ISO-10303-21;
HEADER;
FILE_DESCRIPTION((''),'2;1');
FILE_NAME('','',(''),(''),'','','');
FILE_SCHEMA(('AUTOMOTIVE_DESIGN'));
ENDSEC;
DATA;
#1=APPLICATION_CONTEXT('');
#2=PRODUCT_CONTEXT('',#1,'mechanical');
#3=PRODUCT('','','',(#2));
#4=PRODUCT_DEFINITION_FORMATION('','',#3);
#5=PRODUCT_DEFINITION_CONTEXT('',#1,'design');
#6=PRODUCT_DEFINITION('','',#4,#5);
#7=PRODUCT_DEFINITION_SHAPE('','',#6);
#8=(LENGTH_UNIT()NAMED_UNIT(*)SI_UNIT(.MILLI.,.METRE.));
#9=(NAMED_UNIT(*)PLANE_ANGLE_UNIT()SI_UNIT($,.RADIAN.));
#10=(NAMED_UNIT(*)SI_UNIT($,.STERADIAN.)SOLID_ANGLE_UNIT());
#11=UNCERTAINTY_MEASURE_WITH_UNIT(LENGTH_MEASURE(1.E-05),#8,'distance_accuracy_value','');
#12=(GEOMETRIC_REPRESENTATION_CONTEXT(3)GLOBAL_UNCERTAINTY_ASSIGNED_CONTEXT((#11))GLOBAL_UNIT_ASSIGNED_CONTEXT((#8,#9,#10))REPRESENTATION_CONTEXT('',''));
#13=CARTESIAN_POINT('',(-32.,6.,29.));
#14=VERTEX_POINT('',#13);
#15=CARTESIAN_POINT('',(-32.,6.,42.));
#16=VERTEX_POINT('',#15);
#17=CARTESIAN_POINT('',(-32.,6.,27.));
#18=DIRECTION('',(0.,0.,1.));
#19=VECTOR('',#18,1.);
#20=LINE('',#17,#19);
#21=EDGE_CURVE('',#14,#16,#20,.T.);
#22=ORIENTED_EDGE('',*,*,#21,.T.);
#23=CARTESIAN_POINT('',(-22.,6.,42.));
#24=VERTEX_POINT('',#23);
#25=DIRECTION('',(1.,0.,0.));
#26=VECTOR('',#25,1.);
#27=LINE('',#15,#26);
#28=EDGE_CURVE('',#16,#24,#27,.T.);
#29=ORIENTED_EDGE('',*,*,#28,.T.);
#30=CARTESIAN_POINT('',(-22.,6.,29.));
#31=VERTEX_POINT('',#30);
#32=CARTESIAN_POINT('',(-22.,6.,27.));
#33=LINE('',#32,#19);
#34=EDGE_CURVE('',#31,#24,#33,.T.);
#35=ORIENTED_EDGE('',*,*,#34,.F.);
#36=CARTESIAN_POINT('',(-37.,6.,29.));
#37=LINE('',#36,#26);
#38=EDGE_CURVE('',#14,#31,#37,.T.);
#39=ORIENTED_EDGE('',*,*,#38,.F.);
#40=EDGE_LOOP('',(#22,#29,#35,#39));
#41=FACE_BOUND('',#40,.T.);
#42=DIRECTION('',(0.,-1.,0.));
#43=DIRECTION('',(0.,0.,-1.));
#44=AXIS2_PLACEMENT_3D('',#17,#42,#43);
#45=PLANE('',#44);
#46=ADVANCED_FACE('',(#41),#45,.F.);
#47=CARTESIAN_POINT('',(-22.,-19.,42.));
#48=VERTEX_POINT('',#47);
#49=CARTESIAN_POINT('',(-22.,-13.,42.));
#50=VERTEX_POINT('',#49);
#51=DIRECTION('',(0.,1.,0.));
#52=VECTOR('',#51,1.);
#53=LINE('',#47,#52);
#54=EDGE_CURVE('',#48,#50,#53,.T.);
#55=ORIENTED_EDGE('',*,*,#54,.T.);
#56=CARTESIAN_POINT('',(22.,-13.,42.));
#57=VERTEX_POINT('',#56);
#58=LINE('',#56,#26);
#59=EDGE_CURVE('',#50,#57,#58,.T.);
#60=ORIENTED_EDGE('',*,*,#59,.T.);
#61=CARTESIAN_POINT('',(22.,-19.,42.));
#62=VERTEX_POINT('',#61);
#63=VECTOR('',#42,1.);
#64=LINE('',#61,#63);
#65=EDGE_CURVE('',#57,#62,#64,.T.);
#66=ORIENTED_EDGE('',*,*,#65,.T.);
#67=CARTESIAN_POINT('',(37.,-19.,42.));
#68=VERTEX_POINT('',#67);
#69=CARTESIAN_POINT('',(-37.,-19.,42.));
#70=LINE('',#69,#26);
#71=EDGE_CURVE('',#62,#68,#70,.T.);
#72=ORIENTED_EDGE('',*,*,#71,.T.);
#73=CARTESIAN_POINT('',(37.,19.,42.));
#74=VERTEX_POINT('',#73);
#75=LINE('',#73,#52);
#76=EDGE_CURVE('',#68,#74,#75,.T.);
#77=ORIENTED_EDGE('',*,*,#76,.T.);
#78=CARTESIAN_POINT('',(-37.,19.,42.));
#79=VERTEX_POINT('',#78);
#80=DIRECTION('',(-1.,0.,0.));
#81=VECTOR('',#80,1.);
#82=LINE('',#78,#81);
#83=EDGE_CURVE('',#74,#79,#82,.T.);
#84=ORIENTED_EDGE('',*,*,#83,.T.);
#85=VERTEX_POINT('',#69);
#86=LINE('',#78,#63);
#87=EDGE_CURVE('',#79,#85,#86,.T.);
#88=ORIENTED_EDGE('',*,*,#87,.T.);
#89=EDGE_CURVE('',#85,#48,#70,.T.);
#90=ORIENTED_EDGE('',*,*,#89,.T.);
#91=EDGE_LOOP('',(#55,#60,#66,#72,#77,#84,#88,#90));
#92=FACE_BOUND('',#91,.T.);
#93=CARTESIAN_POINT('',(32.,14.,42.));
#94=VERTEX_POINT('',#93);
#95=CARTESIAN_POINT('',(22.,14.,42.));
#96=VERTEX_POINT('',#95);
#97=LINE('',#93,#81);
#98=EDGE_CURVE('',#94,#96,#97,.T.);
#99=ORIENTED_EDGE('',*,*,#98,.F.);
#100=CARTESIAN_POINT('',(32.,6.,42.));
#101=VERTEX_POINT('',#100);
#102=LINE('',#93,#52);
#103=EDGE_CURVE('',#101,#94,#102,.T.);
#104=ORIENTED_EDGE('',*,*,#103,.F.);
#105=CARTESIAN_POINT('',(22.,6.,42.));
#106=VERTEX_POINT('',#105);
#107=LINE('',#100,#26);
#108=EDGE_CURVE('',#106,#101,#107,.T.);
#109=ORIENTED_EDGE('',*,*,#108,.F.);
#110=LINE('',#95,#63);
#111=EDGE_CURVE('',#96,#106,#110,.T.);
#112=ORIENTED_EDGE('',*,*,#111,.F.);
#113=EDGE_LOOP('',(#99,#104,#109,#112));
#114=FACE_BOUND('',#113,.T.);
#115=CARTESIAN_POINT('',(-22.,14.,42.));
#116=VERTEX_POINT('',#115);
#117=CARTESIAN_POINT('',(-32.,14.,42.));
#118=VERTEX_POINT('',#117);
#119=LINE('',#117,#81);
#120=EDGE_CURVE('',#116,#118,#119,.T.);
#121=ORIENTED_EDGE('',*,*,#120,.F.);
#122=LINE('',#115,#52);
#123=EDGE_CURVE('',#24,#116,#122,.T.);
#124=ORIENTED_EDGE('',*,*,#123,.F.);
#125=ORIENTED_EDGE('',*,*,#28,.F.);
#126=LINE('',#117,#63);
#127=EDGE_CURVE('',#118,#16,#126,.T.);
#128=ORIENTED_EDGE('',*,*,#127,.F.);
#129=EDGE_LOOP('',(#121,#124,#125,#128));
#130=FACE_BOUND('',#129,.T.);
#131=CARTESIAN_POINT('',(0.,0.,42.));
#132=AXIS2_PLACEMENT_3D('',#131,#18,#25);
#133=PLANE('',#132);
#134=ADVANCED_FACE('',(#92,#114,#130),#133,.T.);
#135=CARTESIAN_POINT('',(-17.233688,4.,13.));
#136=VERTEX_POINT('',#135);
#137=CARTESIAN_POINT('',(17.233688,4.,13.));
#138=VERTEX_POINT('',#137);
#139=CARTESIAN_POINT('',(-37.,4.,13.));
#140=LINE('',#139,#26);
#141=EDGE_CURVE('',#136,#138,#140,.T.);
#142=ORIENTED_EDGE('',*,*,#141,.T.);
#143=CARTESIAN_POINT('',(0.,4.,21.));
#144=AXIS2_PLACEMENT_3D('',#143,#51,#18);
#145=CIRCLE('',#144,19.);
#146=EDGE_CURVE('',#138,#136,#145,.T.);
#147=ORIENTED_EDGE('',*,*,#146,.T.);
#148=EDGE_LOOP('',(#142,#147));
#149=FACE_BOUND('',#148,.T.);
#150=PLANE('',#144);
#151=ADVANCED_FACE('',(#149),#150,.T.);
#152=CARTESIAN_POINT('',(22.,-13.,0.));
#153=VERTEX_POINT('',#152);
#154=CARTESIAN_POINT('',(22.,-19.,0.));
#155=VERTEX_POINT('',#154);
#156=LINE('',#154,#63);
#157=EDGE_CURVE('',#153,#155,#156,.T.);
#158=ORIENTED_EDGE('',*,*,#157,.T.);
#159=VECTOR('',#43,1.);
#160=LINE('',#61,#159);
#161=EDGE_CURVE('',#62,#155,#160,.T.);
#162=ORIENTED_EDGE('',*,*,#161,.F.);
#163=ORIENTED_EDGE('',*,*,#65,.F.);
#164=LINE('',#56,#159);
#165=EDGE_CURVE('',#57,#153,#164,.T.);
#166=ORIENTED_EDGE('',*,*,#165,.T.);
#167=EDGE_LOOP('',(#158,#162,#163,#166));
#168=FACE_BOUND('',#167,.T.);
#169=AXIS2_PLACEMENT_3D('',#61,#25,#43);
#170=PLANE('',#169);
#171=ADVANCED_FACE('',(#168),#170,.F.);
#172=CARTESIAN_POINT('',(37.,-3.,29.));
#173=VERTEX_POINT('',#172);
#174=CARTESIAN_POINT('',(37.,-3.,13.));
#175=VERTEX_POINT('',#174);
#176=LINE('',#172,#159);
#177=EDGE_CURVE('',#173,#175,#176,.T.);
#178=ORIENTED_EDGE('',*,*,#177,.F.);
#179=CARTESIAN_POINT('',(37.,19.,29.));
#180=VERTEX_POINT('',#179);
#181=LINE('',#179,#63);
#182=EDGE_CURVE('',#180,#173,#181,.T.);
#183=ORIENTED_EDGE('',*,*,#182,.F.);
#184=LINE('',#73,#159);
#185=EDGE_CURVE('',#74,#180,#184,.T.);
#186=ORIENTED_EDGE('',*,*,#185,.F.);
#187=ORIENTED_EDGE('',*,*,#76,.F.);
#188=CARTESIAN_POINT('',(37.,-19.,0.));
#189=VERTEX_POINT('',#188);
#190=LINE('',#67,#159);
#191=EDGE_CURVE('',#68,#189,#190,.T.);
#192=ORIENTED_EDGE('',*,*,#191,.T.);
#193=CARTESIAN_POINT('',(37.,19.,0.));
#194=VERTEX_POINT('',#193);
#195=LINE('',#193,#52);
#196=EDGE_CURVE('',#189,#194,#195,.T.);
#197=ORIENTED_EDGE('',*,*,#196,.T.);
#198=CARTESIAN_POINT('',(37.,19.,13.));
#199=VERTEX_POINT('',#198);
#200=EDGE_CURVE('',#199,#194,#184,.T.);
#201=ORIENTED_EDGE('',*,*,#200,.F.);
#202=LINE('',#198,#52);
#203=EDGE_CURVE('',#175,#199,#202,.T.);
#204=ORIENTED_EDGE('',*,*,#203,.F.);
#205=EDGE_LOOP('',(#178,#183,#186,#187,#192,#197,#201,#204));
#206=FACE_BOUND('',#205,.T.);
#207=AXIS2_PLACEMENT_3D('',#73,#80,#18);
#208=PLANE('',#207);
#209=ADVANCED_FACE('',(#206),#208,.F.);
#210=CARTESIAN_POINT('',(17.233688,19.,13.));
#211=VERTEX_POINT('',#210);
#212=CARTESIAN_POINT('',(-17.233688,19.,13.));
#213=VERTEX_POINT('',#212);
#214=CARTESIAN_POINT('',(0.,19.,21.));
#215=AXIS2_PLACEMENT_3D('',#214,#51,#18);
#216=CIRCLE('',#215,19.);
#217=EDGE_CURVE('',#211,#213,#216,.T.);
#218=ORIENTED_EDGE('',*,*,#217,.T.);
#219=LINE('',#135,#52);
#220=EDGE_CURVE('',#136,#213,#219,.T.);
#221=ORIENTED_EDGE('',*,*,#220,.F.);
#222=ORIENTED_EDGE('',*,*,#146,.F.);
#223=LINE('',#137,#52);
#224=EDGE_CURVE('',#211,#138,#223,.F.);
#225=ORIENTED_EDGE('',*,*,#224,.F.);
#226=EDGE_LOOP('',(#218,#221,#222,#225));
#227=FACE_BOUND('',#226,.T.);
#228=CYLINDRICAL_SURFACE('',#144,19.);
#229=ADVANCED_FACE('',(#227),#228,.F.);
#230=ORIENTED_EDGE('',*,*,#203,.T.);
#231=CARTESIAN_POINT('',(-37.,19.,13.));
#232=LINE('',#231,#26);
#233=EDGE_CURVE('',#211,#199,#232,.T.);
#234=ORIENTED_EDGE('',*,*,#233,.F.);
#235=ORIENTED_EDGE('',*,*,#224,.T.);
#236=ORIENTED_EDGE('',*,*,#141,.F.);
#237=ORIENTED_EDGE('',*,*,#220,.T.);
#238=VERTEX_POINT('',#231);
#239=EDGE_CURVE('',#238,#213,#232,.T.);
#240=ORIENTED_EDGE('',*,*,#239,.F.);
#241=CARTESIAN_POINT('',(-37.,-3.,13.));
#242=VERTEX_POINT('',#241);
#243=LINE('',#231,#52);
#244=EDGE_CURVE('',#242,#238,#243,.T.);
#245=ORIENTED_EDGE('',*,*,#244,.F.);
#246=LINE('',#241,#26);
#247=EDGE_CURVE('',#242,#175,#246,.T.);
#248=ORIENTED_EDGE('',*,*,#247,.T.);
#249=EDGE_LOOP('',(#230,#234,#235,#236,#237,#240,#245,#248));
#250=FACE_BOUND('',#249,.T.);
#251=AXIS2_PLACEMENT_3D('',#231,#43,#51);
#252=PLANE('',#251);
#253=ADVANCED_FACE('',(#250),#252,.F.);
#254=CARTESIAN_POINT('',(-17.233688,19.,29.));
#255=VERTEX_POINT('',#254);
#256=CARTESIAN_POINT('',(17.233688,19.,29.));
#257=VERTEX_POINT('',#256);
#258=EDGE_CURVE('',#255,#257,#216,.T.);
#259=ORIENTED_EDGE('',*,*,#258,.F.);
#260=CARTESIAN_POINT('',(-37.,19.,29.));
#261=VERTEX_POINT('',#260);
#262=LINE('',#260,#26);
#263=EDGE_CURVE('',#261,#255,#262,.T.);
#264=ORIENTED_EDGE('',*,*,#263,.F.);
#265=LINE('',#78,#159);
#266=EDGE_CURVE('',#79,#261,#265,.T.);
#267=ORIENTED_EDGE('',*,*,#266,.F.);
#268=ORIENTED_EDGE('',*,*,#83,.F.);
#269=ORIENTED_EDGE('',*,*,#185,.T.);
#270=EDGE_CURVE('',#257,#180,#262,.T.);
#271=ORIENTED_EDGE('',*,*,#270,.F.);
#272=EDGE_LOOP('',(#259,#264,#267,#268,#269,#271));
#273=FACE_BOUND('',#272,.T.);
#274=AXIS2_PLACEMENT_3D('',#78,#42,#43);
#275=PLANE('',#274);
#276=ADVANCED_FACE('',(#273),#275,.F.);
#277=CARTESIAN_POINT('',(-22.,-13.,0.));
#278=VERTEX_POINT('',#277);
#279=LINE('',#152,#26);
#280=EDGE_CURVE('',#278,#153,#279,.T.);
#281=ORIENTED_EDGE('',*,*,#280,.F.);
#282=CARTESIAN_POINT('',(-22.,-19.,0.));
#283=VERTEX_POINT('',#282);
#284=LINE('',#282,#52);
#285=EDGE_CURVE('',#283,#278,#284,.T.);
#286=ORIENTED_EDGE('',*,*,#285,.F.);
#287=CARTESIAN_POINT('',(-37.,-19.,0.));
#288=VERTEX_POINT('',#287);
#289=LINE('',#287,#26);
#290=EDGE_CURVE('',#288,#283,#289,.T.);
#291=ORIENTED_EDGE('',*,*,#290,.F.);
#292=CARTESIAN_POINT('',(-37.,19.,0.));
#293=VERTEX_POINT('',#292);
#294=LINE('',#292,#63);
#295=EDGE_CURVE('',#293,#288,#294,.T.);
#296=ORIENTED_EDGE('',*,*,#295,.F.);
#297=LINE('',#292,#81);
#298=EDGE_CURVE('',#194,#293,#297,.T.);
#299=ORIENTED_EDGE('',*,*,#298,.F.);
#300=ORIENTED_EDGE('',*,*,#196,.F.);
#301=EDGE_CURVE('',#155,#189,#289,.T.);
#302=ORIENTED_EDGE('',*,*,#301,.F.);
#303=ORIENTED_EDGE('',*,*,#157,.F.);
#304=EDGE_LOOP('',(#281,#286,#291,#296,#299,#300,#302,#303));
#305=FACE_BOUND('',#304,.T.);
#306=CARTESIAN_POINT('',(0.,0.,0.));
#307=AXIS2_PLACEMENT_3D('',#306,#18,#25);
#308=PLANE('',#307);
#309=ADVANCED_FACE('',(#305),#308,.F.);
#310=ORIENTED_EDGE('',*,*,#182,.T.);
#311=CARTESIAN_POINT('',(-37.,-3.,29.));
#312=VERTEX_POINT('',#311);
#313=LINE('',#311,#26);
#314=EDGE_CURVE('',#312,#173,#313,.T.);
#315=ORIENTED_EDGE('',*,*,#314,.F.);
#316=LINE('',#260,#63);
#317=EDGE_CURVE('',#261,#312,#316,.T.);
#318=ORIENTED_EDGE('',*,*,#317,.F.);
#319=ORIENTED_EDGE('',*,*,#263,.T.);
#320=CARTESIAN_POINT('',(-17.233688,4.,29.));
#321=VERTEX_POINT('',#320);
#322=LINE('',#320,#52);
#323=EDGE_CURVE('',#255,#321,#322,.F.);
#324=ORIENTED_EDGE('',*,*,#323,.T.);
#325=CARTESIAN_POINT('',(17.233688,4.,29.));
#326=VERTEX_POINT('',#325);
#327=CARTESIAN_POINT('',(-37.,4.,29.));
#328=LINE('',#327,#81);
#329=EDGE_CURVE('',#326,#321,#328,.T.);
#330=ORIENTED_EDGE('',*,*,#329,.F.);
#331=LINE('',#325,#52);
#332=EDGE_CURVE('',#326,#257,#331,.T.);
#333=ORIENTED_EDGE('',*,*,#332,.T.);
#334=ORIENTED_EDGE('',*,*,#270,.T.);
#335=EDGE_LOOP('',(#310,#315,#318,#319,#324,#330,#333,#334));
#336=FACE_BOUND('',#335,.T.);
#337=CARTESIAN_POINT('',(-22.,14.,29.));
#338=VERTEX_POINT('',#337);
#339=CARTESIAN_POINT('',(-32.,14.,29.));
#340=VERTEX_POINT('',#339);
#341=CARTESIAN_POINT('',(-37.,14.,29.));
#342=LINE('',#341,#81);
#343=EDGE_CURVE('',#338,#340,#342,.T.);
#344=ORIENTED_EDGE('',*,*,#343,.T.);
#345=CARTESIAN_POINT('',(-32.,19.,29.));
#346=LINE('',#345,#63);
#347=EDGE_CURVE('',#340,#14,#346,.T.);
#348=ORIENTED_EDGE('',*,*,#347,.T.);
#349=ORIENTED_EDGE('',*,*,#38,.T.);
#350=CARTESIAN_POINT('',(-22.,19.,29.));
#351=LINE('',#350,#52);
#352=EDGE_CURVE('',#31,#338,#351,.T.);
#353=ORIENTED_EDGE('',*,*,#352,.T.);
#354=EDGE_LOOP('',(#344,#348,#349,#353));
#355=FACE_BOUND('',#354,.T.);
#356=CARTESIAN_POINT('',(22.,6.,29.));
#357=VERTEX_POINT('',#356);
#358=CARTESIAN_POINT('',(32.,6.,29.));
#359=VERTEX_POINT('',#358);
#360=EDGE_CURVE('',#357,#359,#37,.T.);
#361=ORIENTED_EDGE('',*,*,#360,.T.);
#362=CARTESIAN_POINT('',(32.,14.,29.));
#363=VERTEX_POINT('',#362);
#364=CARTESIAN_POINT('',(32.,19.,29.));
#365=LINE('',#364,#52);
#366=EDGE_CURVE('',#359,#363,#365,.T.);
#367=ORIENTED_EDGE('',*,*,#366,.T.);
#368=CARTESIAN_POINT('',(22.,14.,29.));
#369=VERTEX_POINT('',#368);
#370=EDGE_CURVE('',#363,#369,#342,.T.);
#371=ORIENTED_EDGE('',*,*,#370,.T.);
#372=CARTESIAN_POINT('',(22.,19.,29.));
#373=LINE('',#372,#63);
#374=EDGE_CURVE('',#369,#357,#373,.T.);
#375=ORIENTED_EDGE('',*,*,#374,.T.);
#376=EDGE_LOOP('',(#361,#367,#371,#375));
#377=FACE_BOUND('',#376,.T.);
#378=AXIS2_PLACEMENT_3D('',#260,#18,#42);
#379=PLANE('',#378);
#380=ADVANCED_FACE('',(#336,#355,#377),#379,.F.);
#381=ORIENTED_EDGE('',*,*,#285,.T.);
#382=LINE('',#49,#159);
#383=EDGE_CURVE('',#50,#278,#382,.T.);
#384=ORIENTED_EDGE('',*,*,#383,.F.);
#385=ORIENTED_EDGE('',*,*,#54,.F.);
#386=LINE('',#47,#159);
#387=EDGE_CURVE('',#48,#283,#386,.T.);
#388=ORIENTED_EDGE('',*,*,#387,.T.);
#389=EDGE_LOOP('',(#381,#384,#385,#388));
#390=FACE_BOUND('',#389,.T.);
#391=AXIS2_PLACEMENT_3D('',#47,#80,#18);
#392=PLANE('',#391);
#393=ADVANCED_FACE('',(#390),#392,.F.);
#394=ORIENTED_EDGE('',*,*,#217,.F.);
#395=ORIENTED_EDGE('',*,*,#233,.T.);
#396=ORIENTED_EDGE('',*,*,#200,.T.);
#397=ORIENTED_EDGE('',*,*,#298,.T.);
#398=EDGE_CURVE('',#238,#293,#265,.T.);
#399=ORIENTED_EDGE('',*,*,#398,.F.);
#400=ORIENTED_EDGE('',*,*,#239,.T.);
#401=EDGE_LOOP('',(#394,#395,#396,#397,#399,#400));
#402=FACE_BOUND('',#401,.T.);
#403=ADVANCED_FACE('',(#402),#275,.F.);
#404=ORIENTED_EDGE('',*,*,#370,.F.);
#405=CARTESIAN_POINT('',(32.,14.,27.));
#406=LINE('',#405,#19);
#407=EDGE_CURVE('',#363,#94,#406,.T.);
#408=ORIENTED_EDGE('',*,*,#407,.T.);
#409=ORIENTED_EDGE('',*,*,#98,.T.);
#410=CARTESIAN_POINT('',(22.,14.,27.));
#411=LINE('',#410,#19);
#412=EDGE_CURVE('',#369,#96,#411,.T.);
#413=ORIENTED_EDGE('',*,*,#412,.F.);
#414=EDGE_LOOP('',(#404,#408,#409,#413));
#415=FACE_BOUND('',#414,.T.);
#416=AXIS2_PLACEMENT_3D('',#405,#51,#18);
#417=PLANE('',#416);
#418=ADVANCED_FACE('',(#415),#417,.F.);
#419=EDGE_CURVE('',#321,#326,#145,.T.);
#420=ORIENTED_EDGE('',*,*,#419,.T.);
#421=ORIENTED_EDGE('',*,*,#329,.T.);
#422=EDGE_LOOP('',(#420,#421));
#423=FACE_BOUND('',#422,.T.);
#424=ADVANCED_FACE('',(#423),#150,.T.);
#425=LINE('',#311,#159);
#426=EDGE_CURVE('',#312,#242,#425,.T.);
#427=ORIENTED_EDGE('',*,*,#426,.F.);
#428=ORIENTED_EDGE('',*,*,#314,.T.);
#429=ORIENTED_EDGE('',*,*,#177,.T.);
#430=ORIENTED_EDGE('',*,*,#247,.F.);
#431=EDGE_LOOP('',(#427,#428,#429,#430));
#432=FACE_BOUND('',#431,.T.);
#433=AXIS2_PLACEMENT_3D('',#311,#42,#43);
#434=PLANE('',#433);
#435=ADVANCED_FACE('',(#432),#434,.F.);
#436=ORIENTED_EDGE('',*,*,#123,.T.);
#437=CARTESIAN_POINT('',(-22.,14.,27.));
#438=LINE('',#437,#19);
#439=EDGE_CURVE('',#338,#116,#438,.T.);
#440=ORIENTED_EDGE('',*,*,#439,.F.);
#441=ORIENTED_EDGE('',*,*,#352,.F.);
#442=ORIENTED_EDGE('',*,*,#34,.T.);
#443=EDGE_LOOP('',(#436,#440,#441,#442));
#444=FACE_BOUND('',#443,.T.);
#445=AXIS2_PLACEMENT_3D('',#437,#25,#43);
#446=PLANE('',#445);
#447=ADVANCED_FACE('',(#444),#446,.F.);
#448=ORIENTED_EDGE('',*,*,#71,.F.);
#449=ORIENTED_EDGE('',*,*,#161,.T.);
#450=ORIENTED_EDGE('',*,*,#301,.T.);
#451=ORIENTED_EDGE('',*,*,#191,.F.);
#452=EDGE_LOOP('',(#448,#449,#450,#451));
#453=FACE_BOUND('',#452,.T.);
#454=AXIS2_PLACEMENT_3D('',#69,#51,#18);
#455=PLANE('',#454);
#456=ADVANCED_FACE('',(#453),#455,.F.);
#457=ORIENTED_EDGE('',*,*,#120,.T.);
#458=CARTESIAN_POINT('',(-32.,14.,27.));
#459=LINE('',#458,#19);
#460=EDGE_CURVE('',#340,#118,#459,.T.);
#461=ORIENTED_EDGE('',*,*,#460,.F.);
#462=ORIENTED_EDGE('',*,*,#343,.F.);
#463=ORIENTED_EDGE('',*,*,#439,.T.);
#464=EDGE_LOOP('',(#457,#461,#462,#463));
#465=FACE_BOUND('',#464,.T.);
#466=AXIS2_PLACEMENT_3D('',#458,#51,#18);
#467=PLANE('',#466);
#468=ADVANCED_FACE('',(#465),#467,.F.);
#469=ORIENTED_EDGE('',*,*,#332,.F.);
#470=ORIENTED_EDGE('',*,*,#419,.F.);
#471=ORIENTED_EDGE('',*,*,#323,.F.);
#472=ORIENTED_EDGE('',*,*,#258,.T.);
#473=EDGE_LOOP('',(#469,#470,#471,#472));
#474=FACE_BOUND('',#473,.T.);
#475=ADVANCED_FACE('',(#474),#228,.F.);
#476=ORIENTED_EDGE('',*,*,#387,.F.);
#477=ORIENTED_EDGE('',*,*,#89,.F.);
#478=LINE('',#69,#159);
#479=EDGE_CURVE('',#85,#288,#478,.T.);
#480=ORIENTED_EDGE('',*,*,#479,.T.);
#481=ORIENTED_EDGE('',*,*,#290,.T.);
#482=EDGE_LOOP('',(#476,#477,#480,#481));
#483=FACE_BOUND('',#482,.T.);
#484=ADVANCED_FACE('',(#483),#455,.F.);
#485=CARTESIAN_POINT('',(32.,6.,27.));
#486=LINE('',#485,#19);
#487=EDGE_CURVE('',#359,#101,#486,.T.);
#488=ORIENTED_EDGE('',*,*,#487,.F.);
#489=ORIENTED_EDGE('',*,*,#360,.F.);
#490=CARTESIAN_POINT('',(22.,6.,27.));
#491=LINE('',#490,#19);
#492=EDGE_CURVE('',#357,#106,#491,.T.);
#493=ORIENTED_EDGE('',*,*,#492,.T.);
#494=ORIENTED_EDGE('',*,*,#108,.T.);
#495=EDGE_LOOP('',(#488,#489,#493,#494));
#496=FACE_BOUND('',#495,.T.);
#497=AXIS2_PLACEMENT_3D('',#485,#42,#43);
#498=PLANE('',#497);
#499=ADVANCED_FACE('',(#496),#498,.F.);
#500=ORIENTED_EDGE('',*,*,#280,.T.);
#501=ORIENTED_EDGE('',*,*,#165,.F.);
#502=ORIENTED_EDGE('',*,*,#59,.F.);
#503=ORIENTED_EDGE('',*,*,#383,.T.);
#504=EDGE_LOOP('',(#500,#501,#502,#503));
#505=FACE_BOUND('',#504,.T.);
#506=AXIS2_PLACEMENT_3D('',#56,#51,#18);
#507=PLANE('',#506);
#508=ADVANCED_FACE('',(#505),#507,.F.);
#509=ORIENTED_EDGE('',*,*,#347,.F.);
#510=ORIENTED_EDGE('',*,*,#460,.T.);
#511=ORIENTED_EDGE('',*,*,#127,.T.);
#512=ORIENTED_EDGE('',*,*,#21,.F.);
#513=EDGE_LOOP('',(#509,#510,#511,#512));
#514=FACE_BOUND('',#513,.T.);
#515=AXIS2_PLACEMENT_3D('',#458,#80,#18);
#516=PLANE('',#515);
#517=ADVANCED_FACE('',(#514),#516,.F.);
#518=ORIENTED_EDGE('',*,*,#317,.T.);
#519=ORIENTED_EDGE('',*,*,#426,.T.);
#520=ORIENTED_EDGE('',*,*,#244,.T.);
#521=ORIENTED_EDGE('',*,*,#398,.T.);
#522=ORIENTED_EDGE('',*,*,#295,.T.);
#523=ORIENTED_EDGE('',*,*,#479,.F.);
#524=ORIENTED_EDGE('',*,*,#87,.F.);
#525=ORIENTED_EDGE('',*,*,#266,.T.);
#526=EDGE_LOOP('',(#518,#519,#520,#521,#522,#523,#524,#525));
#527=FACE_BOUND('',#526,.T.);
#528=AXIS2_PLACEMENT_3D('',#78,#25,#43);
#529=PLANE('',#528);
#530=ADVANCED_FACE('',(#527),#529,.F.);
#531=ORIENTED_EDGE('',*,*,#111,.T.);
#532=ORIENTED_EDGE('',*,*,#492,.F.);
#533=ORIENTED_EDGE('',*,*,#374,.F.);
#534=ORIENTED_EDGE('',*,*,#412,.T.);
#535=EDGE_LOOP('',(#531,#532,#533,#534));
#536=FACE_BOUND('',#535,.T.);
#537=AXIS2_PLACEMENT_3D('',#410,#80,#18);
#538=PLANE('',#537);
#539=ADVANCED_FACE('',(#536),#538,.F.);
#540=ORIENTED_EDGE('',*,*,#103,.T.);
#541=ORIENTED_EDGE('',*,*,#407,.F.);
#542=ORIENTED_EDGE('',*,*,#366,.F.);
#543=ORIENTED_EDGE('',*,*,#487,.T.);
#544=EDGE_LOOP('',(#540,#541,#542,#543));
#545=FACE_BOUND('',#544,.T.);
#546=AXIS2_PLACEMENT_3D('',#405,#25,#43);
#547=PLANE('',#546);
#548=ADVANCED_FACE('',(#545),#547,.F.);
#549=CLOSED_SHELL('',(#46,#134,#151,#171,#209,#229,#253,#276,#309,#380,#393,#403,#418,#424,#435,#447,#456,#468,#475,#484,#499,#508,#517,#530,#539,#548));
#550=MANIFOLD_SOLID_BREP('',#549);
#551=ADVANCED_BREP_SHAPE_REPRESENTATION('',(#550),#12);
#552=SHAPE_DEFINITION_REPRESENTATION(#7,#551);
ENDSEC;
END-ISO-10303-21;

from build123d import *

# Parameters (mm, degrees)
SKETCH1_W           = 74
SKETCH1_H           = 38
BOSS_EXTRUDE1_DEPTH = 42
SKETCH2_W           = 44
SKETCH2_H           = 6
CUT_EXTRUDE1_DEPTH  = 42
SKETCH3_W           = 16
SKETCH3_H           = 22
CUT_EXTRUDE2_DEPTH  = 74
SKETCH4_R           = 19
CUT_EXTRUDE3_DEPTH  = 15
SKETCH5_W           = 10
SKETCH5_H           = 8
CUT_EXTRUDE4_DEPTH  = 15


with BuildPart() as part:
    # Sketch1 → Boss-Extrude1 (new body)
    with BuildSketch(Plane.XY):
        Rectangle(SKETCH1_W, SKETCH1_H)
    extrude(amount=BOSS_EXTRUDE1_DEPTH)

    # Sketch2 → Cut-Extrude1 (cut)
    with BuildSketch(Plane(origin=(0, 0, 0), x_dir=(-1, 0, 0), z_dir=(0, 0, -1))):
        with Locations((0, -16)):
            Rectangle(SKETCH2_W, SKETCH2_H)
    extrude(amount=-CUT_EXTRUDE1_DEPTH, mode=Mode.SUBTRACT)

    # Sketch3 → Cut-Extrude2 (cut)
    with BuildSketch(Plane(origin=(37, 0, 0), x_dir=(0, 0, -1), z_dir=(1, 0, 0))):
        with Locations((-21, 8)):
            Rectangle(SKETCH3_W, SKETCH3_H)
    extrude(amount=-CUT_EXTRUDE2_DEPTH, mode=Mode.SUBTRACT)

    # Sketch4 → Cut-Extrude3 (cut)
    with BuildSketch(Plane(origin=(0, 19, 0), x_dir=(1, 0, 0), z_dir=(0, 1, 0))):
        with Locations((0, -21)):
            Circle(SKETCH4_R)
    extrude(amount=-CUT_EXTRUDE3_DEPTH, mode=Mode.SUBTRACT)

    # Sketch5 → Cut-Extrude4 (cut)
    with BuildSketch(Plane.XY.offset(42)):
        with Locations((-27, 10)):
            Rectangle(SKETCH5_W, SKETCH5_H)
        with Locations((27, 10)):
            Rectangle(SKETCH5_W, SKETCH5_H)
    extrude(amount=-CUT_EXTRUDE4_DEPTH, mode=Mode.SUBTRACT)


solid = part.part
